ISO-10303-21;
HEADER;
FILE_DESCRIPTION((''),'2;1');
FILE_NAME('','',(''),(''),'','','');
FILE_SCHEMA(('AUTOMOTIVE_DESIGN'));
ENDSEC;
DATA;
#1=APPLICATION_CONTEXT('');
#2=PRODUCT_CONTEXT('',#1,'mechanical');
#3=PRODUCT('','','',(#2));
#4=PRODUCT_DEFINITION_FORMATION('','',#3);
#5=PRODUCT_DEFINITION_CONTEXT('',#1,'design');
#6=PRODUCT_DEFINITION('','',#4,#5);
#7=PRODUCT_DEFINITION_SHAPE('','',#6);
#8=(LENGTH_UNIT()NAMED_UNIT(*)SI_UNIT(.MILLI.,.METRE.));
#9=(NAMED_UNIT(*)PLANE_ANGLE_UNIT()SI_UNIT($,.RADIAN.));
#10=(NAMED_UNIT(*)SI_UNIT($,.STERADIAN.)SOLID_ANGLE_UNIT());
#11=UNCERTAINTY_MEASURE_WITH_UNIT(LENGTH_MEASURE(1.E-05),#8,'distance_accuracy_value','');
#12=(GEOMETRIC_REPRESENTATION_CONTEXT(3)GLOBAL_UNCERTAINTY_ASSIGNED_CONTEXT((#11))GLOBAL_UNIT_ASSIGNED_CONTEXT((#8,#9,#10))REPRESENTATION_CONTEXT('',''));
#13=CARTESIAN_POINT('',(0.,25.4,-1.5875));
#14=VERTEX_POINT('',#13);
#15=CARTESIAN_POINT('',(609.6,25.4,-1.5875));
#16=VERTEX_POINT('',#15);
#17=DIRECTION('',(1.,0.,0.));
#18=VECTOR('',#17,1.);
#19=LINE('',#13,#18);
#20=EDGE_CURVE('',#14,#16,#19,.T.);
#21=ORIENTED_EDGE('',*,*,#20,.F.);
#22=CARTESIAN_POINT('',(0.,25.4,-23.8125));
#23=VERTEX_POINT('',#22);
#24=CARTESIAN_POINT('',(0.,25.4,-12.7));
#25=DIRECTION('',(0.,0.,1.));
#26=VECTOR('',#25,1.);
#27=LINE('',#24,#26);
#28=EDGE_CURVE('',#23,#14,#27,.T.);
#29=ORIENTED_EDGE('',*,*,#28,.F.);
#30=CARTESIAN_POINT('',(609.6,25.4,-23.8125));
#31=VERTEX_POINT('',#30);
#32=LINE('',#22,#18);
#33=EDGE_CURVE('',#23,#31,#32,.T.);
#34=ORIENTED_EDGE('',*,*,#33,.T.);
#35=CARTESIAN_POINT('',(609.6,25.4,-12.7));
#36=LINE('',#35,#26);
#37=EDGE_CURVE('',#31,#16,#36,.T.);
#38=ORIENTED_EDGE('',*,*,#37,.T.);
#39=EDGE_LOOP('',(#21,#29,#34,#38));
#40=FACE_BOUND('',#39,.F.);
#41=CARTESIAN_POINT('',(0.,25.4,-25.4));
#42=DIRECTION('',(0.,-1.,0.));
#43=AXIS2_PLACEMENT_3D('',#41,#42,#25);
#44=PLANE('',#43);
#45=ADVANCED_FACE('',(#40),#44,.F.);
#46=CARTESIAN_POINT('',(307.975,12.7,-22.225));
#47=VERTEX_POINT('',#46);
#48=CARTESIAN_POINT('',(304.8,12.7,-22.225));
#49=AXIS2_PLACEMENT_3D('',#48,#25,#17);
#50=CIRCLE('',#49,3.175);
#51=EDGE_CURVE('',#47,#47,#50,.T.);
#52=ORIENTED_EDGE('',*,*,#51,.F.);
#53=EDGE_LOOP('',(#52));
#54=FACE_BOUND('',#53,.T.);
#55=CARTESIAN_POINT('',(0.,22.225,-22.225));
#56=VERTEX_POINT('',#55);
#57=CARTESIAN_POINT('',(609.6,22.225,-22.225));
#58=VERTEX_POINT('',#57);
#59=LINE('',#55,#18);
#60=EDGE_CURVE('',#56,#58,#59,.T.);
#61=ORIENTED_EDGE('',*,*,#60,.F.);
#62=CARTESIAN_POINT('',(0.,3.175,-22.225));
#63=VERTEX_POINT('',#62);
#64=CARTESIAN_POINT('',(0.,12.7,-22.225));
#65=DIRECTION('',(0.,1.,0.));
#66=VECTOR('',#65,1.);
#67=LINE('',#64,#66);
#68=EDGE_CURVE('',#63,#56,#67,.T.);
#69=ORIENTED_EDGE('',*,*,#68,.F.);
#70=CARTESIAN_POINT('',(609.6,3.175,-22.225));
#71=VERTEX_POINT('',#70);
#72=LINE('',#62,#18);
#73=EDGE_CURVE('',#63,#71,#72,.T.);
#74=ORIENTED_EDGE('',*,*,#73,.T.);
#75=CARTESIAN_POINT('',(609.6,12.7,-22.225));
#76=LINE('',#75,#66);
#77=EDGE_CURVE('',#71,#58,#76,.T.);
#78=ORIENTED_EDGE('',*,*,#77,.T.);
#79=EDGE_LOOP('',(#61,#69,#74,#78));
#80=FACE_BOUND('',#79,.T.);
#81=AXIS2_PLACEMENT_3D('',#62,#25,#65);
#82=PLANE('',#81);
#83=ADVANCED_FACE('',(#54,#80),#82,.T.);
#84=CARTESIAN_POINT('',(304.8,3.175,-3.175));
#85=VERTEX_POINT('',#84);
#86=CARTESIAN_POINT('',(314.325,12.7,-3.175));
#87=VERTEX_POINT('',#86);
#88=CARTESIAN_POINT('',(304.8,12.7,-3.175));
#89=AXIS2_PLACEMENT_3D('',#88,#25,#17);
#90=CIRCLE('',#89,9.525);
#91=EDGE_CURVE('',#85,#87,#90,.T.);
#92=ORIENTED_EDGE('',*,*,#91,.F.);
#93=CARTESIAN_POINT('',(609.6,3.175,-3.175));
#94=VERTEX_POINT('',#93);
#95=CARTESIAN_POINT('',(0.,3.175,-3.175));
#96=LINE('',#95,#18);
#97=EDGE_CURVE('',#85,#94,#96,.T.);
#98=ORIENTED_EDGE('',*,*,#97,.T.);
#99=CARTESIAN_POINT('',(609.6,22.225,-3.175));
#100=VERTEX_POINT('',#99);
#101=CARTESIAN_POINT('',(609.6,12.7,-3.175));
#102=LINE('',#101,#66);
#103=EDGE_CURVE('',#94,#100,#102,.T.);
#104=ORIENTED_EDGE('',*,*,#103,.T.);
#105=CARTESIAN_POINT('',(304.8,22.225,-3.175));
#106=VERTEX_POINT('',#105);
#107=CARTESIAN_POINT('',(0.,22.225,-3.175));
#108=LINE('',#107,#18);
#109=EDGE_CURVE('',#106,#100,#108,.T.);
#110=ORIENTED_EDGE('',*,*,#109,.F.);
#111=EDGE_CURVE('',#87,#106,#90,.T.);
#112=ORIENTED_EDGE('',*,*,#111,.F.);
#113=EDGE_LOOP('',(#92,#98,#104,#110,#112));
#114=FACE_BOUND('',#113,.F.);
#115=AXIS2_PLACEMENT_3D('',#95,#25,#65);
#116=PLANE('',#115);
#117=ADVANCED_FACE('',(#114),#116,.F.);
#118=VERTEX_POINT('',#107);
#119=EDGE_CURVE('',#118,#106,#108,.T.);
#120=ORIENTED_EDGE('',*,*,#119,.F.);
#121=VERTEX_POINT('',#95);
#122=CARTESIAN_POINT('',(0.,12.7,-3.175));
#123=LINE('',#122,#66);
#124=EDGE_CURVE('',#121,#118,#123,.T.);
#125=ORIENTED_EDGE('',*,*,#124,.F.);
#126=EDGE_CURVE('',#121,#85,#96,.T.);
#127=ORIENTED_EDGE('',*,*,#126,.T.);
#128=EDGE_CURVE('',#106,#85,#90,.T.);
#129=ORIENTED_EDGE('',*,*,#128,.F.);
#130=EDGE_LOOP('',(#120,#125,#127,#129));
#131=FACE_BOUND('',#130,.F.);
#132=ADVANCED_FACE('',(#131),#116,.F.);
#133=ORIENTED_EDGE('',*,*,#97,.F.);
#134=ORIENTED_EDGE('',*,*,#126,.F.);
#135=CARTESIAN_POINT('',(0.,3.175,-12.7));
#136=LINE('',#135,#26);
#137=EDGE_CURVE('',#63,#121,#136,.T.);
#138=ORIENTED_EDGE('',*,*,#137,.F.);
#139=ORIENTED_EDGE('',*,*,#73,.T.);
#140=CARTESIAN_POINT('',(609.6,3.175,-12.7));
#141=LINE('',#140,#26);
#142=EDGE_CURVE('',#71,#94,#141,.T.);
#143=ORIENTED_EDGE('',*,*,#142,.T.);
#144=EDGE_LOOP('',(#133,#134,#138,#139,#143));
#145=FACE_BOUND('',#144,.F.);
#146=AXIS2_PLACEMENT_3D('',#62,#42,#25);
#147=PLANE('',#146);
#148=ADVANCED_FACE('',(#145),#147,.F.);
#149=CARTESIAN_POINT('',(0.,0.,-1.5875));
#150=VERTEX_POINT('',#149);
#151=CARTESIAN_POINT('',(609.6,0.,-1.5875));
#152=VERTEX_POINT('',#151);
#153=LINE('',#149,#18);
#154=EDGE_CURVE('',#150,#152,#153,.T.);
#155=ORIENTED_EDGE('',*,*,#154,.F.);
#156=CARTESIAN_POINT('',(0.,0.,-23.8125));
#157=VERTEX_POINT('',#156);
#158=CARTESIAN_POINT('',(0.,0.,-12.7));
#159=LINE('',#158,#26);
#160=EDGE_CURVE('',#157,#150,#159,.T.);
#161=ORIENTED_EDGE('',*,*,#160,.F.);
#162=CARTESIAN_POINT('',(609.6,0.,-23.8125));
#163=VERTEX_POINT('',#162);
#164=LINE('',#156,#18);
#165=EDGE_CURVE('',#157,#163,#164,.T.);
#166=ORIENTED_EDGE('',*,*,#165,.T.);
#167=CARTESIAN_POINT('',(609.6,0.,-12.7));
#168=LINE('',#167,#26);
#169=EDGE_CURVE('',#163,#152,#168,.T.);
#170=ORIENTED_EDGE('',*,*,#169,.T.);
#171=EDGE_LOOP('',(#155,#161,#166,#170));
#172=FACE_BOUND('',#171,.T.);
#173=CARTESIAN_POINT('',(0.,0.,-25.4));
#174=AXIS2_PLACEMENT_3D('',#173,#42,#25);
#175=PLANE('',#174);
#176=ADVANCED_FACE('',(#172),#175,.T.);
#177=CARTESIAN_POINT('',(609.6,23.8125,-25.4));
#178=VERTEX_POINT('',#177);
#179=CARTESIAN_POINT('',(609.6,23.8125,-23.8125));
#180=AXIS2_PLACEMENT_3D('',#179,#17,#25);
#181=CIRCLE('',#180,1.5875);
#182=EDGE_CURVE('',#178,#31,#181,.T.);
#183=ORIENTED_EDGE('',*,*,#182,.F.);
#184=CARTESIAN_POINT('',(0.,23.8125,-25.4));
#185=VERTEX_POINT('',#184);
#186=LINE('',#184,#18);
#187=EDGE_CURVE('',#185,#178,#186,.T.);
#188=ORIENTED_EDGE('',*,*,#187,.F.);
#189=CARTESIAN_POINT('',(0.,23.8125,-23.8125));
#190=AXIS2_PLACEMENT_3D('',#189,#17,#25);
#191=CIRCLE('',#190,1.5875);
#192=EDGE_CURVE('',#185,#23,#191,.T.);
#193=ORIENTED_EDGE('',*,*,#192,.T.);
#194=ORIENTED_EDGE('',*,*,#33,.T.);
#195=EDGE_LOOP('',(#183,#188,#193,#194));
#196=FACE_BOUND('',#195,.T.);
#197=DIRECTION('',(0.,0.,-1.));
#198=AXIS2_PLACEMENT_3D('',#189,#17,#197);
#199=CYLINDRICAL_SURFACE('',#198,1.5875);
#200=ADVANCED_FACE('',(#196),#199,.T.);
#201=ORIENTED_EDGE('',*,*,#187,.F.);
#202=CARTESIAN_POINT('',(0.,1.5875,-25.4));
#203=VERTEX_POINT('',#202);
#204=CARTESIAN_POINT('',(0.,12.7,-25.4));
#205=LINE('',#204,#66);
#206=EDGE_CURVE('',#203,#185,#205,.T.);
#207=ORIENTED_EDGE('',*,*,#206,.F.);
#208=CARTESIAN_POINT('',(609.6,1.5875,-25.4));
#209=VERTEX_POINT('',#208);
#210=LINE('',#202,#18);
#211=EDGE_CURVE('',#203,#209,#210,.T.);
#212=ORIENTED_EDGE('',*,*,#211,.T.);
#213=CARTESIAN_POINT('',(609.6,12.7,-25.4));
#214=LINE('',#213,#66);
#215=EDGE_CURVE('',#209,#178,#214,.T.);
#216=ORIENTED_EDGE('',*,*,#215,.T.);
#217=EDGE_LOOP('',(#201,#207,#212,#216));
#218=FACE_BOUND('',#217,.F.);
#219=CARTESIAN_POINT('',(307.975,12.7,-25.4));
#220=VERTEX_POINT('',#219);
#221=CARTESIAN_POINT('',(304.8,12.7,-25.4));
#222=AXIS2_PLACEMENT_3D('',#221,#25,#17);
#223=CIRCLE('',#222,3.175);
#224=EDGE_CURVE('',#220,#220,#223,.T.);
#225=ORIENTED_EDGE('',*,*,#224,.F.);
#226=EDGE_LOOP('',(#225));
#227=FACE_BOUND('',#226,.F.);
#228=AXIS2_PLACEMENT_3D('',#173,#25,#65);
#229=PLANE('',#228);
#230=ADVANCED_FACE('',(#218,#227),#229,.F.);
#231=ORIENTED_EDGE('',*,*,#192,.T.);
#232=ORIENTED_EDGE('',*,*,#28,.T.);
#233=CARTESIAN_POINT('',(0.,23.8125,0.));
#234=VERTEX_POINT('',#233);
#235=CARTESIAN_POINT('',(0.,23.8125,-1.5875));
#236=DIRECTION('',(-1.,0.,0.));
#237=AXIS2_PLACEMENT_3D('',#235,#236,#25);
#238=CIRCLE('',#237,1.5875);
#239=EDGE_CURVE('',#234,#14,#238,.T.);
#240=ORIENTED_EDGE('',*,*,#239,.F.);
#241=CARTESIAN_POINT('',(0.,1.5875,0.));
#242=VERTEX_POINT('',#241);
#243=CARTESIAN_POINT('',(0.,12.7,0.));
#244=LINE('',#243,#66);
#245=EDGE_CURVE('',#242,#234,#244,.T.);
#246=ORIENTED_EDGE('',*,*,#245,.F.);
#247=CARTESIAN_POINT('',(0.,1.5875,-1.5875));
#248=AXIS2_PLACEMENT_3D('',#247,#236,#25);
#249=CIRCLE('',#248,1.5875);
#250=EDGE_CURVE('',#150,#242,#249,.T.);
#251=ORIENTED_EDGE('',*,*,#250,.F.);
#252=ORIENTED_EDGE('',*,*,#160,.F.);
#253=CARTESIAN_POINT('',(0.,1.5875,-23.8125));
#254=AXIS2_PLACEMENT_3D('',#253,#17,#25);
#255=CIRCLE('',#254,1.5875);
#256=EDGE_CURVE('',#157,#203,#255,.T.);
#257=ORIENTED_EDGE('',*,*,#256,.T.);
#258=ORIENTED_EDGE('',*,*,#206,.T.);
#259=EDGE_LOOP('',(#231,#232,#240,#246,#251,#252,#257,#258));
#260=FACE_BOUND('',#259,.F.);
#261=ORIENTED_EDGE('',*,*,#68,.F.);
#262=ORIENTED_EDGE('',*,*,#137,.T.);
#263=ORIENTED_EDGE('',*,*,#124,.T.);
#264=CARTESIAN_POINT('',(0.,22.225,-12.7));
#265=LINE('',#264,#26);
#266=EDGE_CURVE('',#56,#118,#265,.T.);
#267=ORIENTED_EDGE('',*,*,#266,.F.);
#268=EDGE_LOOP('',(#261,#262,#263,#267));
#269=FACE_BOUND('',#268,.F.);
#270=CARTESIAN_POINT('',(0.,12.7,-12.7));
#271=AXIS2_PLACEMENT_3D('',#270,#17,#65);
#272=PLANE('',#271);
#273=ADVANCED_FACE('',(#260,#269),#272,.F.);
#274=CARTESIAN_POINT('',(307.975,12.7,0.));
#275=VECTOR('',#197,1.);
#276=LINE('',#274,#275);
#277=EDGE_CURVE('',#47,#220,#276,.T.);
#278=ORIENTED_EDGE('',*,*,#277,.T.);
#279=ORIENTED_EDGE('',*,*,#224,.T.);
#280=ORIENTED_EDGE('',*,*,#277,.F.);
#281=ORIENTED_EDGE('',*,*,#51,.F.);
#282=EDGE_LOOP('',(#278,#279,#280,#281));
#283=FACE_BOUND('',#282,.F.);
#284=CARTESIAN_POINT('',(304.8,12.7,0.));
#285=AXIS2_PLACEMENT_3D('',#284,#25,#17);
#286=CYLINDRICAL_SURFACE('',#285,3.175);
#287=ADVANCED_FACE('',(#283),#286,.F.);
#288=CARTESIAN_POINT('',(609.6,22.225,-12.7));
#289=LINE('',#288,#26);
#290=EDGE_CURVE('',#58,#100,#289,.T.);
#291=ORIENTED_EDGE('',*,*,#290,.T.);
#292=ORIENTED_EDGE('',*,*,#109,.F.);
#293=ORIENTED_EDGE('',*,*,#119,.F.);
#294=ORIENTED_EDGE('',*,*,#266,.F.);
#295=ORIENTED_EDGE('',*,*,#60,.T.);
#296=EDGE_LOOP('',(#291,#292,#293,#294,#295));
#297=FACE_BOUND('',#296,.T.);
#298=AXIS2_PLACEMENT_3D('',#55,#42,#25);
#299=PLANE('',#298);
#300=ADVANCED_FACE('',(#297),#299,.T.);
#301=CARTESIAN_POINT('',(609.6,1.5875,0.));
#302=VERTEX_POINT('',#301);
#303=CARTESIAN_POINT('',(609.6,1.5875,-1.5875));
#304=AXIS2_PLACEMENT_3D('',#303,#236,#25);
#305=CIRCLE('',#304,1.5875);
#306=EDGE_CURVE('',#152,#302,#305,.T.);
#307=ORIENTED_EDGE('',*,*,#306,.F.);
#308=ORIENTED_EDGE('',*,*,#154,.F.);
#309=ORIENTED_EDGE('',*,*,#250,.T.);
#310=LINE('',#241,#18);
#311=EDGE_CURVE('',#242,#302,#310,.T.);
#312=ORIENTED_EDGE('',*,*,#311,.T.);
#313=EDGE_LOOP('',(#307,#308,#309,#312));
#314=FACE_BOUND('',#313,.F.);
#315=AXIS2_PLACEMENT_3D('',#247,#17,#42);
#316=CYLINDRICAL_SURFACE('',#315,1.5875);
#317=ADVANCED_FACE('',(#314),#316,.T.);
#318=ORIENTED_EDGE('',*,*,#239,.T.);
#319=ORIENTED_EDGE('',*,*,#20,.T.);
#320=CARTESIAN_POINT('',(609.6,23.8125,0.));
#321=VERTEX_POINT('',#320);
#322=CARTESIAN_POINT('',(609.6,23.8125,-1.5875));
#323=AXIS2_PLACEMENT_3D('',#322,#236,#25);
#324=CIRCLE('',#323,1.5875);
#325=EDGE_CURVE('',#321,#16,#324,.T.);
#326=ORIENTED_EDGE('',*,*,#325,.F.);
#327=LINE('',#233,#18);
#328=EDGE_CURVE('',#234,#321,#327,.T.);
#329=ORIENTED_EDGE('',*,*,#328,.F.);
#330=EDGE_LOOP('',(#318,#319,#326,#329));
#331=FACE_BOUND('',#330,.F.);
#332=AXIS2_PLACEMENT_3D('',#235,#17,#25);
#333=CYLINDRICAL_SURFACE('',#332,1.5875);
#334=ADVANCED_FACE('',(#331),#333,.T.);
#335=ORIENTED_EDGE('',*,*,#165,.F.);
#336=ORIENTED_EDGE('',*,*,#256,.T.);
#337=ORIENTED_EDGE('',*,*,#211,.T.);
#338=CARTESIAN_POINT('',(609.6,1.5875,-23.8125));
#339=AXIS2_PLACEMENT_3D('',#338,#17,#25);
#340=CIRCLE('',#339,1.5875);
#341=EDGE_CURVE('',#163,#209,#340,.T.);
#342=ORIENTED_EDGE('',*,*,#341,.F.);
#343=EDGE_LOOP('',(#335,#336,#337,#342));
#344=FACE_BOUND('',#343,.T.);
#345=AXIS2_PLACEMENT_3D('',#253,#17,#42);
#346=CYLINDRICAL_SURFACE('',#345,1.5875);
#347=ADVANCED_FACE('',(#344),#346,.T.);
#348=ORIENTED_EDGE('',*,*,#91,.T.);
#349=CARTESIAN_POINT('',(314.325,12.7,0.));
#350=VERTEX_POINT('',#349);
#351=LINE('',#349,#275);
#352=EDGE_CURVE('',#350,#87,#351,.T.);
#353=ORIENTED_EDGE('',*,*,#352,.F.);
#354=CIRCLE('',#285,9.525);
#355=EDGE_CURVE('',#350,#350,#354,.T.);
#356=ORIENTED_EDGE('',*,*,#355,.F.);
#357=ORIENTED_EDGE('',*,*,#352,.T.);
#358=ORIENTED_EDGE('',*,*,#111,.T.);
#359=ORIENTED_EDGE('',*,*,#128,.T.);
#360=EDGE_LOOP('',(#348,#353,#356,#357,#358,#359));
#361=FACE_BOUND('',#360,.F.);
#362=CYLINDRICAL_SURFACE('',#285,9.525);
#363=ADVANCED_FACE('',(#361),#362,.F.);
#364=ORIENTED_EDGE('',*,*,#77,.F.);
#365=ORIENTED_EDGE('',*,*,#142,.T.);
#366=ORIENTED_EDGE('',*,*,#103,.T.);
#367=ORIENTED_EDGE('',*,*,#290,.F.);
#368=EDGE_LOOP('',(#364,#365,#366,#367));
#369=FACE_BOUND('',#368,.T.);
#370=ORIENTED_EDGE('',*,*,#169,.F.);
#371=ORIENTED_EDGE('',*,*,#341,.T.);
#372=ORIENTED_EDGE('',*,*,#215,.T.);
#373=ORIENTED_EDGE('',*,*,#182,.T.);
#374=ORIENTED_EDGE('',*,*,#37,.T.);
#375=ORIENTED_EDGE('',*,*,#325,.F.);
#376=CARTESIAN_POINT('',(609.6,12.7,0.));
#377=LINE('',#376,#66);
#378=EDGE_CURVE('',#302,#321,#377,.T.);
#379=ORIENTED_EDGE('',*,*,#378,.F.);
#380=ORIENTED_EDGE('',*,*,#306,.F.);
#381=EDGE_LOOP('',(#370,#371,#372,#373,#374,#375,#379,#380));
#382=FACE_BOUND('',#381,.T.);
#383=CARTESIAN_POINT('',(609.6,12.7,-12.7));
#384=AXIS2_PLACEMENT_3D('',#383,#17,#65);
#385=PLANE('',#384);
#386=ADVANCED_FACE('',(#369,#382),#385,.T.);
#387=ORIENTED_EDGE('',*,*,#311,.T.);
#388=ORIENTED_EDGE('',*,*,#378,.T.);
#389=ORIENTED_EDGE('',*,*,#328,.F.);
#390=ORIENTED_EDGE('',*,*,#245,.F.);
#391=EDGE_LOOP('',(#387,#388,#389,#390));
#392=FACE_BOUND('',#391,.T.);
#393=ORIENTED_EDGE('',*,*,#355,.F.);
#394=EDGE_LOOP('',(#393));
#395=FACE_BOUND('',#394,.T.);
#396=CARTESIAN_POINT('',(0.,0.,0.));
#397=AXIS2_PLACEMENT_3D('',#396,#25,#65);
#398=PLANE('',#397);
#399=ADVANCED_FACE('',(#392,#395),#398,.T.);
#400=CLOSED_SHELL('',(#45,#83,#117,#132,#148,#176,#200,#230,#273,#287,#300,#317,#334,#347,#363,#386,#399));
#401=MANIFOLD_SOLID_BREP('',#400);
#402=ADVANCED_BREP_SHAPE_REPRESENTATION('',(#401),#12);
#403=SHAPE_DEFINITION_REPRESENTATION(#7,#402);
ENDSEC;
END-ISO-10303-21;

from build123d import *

# Parameters (mm, degrees)
F0_W     = 25.4
F0_H     = 25.4
F0_W_2   = 19.05
F0_H_2   = 19.05
F1_DEPTH = 609.6
F2_R     = 1.5875
F3_R     = 9.525
F4_DEPTH = 6.35
F5_R     = 3.175
F6_DEPTH = 25.4


with BuildPart() as f1:
    # F0 (on Right) → F1 (new body)
    with BuildSketch(Plane.YZ):
        with Locations((12.7, -12.7)):
            Rectangle(F0_W, F0_H)
        with Locations((12.7, -12.7)):
            Rectangle(F0_W_2, F0_H_2, mode=Mode.SUBTRACT)
    extrude(amount=F1_DEPTH)

    # F2
    f2_edges = [f1.edges().sort_by_distance(p)[0] for p in [
        (304.8, 0, 0),
        (304.8, 25.4, 0),
        (304.8, 0, -25.4),
        (304.8, 25.4, -25.4),
    ]]
    fillet(f2_edges, radius=F2_R)

    # F3 (on face) → F4 (cut)
    with BuildSketch(Plane.XY):
        with Locations((304.8, 12.7)):
            Circle(F3_R)
    extrude(amount=-F4_DEPTH, mode=Mode.SUBTRACT)

    # F5 (on face) → F6 (cut)
    with BuildSketch(Plane.XY):
        with Locations((304.8, 12.7)):
            Circle(F5_R)
    extrude(amount=-F6_DEPTH, mode=Mode.SUBTRACT)


solid = f1.part
